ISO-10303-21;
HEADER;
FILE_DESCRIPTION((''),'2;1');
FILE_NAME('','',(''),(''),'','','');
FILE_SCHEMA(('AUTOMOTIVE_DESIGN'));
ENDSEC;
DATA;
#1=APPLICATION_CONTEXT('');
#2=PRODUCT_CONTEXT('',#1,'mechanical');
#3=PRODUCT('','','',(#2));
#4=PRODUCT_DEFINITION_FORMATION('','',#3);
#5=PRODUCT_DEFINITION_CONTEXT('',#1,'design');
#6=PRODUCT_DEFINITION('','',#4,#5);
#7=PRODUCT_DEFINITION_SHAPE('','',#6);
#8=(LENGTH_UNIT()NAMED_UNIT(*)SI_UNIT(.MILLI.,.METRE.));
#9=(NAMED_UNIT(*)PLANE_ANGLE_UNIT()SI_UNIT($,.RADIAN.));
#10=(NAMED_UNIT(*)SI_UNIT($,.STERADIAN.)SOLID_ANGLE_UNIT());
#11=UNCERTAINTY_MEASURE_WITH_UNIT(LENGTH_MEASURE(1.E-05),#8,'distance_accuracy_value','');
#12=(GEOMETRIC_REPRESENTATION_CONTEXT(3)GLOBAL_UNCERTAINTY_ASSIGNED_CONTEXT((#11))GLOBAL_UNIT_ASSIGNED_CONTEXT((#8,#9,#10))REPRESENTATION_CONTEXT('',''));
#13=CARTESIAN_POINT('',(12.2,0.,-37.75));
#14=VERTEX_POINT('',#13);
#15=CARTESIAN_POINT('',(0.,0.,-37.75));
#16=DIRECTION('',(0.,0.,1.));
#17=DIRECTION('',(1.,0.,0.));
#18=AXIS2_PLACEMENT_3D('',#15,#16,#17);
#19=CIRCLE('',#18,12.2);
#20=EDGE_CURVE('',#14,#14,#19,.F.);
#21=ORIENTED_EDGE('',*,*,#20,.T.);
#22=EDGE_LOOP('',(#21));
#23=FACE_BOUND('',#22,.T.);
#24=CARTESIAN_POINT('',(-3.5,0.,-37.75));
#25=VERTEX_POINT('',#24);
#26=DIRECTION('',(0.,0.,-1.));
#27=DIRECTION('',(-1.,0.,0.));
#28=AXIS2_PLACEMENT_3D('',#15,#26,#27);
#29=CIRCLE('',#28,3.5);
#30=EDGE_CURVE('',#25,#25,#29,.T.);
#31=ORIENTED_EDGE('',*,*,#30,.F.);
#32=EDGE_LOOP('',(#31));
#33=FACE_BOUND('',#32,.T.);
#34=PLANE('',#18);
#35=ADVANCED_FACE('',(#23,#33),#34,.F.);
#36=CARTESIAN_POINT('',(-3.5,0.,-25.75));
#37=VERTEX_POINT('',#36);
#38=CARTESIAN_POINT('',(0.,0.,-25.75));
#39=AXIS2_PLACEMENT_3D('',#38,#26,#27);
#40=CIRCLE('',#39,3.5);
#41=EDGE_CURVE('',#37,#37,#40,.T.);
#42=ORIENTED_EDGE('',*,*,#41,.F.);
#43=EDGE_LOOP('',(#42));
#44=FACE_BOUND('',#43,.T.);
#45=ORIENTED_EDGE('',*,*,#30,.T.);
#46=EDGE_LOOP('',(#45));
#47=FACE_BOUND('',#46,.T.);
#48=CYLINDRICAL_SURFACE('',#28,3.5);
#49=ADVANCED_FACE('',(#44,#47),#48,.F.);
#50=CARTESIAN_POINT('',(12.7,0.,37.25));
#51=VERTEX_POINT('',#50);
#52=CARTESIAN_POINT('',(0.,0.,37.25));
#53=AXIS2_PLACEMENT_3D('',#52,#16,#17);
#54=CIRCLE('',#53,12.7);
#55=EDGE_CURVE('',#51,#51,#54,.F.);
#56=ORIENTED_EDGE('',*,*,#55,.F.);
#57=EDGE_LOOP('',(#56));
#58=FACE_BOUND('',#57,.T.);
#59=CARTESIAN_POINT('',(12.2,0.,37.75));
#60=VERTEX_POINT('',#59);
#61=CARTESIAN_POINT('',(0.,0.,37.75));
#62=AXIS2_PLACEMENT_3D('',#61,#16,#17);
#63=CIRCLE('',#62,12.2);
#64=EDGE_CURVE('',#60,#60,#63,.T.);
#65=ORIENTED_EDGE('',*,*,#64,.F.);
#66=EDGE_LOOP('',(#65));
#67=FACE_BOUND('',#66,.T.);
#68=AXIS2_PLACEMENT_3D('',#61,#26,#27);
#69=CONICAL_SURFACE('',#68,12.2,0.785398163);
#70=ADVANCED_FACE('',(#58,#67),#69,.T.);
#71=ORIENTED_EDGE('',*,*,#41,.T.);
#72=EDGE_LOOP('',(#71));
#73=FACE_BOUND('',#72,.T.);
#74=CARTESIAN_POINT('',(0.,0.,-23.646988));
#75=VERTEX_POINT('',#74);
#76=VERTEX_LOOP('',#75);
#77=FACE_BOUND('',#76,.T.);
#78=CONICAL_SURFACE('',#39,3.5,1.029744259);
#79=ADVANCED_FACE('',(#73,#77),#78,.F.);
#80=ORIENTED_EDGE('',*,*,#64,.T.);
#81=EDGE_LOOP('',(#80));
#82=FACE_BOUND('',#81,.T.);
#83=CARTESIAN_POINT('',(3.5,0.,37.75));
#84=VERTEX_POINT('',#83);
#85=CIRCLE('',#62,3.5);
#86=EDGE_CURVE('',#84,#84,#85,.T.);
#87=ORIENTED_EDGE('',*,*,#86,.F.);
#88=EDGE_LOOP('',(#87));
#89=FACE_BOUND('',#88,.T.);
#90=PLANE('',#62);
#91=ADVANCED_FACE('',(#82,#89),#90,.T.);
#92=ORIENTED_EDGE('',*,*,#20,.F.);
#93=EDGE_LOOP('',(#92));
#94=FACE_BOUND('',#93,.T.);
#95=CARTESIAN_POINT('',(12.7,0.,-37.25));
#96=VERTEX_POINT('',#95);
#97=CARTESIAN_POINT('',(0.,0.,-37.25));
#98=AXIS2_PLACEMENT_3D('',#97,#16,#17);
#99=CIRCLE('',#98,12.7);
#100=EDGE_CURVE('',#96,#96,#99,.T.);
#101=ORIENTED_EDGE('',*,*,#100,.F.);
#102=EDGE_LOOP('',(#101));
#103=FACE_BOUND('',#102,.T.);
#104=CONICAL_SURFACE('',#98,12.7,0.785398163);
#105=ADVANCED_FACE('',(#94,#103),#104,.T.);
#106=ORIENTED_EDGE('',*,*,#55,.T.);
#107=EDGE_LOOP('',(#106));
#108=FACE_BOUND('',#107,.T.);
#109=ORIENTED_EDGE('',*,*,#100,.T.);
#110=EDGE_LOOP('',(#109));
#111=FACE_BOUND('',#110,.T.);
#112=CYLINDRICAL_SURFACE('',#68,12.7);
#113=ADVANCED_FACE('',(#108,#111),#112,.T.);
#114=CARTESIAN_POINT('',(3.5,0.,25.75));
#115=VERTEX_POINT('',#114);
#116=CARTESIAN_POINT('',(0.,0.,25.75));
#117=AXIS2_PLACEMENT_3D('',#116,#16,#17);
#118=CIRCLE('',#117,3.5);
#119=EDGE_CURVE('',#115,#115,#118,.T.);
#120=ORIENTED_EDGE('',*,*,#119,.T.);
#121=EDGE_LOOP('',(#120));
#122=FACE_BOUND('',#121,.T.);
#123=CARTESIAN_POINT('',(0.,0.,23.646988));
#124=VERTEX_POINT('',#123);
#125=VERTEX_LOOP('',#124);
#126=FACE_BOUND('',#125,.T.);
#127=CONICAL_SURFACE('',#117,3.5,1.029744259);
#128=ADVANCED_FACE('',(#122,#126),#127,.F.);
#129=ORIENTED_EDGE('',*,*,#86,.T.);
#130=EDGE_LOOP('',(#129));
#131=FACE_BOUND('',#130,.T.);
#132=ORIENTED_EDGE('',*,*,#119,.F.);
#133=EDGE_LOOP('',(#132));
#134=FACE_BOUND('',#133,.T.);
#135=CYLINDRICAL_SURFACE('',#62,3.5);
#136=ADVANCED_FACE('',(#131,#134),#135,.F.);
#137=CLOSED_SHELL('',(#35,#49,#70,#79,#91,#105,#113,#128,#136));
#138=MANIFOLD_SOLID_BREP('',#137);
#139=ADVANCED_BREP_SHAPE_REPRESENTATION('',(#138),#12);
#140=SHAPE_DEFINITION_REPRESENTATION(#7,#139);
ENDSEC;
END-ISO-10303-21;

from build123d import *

# Parameters (mm, degrees)
SKETCH1_R           = 12.7
BOSS_EXTRUDE1_DEPTH = 37.75
CHAMFER1_SIZE       = 0.5


with BuildPart() as part:
    # Sketch1 → Boss-Extrude1 (new, symmetric)
    with BuildSketch(Plane.XY):
        Circle(SKETCH1_R)
    extrude(amount=BOSS_EXTRUDE1_DEPTH, both=True)

    # Sketch2 → M8x1.0 Tapped Hole1 (revolve, cut)
    with BuildSketch(Plane(origin=(0, 0, 37.75), x_dir=(0, -1, 0), z_dir=(1, 0, 0))):
        Polygon((0, 0), (0, 14.103012167), (3.5, 12), (3.5, 0), align=None)
    m8x1_0_tapped_hole1 = revolve(axis=Axis((0, 0, 44.1), (0, 0, -1)), mode=Mode.SUBTRACT)

    # Mirror1: M8x1.0 Tapped Hole1 across plane
    add(m8x1_0_tapped_hole1.mirror(Plane.XY), mode=Mode.SUBTRACT)

    # Chamfer1
    chamfer1_edges = [part.edges().sort_by_distance(p)[0] for p in [
        (-12.7, 0, -37.75),
        (-12.7, 0, 37.75),
    ]]
    chamfer(chamfer1_edges, length=CHAMFER1_SIZE)


solid = part.part
